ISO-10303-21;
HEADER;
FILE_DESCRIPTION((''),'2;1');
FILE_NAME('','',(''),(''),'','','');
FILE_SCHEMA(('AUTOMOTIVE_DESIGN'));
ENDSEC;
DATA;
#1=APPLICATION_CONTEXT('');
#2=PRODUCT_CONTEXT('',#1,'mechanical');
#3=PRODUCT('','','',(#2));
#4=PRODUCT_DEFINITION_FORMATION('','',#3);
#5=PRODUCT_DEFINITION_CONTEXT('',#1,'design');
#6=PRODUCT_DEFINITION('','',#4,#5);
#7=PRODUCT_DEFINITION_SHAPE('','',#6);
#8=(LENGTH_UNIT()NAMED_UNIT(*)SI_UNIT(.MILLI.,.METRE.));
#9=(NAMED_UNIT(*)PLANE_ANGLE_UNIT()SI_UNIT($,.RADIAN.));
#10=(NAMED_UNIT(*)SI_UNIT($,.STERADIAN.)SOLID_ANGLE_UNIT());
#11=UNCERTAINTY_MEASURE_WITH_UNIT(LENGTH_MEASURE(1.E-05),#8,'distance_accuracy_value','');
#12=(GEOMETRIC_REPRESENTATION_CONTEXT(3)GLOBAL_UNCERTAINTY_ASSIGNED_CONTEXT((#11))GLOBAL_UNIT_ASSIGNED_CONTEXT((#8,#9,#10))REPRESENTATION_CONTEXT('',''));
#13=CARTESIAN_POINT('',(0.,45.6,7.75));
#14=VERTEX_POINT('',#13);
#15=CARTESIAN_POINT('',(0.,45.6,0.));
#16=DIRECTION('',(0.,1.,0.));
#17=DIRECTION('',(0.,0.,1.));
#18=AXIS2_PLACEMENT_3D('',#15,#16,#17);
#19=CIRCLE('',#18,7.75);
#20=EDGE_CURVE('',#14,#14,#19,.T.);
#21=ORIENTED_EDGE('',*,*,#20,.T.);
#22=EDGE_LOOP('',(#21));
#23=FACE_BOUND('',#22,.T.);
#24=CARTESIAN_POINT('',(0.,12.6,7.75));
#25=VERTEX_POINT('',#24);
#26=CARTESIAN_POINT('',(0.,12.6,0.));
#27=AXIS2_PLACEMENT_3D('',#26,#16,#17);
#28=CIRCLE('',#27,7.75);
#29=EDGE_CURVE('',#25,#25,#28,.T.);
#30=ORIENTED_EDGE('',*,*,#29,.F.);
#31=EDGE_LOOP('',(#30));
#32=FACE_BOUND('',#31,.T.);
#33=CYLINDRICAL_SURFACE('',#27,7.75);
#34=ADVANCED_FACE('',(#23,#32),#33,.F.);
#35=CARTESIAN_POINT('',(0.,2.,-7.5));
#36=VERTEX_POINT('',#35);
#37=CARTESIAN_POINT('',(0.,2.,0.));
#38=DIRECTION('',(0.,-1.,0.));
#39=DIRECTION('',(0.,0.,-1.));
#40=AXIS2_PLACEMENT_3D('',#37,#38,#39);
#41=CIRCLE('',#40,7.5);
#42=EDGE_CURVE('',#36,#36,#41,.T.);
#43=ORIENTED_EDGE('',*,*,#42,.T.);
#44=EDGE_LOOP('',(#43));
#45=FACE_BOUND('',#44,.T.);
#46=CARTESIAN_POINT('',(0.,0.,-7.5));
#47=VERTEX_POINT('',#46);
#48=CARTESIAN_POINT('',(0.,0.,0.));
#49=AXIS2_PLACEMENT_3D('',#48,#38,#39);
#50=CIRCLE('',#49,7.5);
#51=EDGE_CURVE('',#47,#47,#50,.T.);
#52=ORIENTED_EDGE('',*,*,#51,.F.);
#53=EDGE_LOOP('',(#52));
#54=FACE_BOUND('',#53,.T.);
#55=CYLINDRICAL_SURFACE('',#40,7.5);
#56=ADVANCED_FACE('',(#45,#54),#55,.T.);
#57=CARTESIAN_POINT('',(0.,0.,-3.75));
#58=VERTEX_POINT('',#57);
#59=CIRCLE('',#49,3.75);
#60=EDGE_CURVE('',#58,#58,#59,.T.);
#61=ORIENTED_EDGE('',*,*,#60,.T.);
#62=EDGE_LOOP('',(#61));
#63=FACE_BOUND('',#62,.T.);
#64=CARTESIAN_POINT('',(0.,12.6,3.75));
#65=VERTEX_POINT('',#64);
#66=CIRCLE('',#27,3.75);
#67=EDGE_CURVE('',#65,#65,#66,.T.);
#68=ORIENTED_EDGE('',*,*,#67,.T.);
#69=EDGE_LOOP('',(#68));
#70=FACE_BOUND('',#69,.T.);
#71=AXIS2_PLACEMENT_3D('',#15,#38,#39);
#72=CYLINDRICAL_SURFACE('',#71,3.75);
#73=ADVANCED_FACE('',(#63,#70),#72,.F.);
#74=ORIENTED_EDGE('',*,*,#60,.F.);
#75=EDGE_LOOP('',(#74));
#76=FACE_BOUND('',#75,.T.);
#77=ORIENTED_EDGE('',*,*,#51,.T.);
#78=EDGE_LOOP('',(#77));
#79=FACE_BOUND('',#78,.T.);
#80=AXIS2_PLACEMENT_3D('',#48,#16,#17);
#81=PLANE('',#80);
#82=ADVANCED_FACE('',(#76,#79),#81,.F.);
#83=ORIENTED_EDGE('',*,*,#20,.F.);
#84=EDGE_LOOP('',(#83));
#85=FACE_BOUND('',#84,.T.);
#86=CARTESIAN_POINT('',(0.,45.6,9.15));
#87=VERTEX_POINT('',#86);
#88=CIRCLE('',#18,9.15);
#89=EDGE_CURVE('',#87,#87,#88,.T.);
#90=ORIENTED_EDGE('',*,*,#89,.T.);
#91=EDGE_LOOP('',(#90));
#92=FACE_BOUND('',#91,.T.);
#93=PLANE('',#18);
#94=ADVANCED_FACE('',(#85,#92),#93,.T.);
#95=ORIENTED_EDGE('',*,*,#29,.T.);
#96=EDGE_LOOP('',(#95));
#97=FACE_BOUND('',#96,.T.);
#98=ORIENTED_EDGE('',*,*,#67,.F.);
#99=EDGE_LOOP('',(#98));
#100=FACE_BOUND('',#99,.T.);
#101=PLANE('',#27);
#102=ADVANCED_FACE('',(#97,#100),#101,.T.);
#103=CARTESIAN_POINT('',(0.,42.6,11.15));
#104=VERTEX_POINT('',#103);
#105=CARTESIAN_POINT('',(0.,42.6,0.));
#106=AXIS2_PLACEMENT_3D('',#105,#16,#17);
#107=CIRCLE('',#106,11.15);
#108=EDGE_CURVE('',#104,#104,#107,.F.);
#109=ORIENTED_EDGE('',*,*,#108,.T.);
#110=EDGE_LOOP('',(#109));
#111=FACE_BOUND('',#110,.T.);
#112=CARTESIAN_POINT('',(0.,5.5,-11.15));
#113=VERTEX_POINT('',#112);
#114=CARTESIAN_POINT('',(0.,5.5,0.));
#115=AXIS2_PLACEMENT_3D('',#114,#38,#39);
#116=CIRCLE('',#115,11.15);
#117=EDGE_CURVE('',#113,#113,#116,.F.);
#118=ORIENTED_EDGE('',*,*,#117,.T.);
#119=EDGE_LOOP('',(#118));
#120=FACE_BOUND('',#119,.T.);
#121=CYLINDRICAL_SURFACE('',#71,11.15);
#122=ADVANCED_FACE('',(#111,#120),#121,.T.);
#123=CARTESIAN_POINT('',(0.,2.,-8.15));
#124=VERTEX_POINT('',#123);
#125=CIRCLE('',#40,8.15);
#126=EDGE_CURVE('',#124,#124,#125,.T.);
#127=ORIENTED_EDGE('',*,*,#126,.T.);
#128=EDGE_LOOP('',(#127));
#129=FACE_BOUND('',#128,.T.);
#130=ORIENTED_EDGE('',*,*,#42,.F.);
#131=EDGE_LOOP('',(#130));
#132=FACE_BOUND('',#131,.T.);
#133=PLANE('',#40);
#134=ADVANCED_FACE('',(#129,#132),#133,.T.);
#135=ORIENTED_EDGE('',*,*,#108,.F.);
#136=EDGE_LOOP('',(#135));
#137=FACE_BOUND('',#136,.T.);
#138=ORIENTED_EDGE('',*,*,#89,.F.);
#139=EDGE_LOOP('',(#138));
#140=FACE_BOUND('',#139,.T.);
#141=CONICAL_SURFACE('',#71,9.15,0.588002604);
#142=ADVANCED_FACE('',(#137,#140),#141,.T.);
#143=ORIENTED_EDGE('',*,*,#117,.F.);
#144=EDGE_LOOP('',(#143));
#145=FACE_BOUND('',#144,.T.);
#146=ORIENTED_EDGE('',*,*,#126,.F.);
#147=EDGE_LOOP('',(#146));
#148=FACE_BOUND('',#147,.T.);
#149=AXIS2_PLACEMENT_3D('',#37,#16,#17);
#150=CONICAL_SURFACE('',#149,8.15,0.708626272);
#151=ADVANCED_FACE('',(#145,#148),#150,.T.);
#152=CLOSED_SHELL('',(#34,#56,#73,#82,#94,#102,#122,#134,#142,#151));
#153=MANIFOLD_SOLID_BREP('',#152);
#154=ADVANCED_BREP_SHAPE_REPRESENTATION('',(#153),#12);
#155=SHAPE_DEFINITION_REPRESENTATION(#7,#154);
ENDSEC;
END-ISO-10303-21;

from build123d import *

# Parameters (mm, degrees)
ESQUISSE1_R             = 11.15
BOSS_EXTRU_1_DEPTH      = 45.6
ESQUISSE2_R             = 7.75
ENL_V_MAT_EXTRU_1_DEPTH = 33
ESQUISSE3_R             = 11.15
ESQUISSE3_R_2           = 7.5
ENL_V_MAT_EXTRU_2_DEPTH = 2
ESQUISSE4_R             = 3.75
ENL_V_MAT_EXTRU_3_DEPTH = 46.6
CHANFREIN1_SIZE         = 3
CHANFREIN1_SIZE2        = 2
CHANFREIN2_SIZE         = 3.5
CHANFREIN2_SIZE2        = 3


with BuildPart() as part:
    # Esquisse1 → Boss.-Extru.1 (new body)
    with BuildSketch(Plane(origin=(0, 0, 0), x_dir=(1, 0, 0), z_dir=(0, 1, 0))):
        Circle(ESQUISSE1_R)
    extrude(amount=BOSS_EXTRU_1_DEPTH)

    # Esquisse2 → Enlèv. mat.-Extru.1 (cut)
    with BuildSketch(Plane(origin=(0, 45.6, 0), x_dir=(1, 0, 0), z_dir=(0, 1, 0))):
        Circle(ESQUISSE2_R)
    extrude(amount=-ENL_V_MAT_EXTRU_1_DEPTH, mode=Mode.SUBTRACT)

    # Esquisse3 → Enlèv. mat.-Extru.2 (cut)
    with BuildSketch(Plane.XZ):
        Circle(ESQUISSE3_R)
        Circle(ESQUISSE3_R_2, mode=Mode.SUBTRACT)
    extrude(amount=-ENL_V_MAT_EXTRU_2_DEPTH, mode=Mode.SUBTRACT)

    # Esquisse4 → Enlèv. mat.-Extru.3 (cut, through all)
    with BuildSketch(Plane.XZ):
        Circle(ESQUISSE4_R)
    extrude(amount=-ENL_V_MAT_EXTRU_3_DEPTH, mode=Mode.SUBTRACT)

    # Chanfrein1
    chanfrein1_edges = [part.edges().sort_by_distance(p)[0] for p in [
        (-11.15, 45.6, 0),
    ]]
    chanfrein1_side = [part.faces().sort_by_distance(p)[0] for p in [
        (-11.15, 23.8, 0),
    ]]
    chamfer(chanfrein1_edges, length=CHANFREIN1_SIZE, length2=CHANFREIN1_SIZE2, reference=chanfrein1_side[0])

    # Chanfrein2
    chanfrein2_edges = [part.edges().sort_by_distance(p)[0] for p in [
        (-11.15, 2, 0),
    ]]
    chanfrein2_side = [part.faces().sort_by_distance(p)[0] for p in [
        (-11.15, 22.3, 0),
    ]]
    chamfer(chanfrein2_edges, length=CHANFREIN2_SIZE, length2=CHANFREIN2_SIZE2, reference=chanfrein2_side[0])


solid = part.part
